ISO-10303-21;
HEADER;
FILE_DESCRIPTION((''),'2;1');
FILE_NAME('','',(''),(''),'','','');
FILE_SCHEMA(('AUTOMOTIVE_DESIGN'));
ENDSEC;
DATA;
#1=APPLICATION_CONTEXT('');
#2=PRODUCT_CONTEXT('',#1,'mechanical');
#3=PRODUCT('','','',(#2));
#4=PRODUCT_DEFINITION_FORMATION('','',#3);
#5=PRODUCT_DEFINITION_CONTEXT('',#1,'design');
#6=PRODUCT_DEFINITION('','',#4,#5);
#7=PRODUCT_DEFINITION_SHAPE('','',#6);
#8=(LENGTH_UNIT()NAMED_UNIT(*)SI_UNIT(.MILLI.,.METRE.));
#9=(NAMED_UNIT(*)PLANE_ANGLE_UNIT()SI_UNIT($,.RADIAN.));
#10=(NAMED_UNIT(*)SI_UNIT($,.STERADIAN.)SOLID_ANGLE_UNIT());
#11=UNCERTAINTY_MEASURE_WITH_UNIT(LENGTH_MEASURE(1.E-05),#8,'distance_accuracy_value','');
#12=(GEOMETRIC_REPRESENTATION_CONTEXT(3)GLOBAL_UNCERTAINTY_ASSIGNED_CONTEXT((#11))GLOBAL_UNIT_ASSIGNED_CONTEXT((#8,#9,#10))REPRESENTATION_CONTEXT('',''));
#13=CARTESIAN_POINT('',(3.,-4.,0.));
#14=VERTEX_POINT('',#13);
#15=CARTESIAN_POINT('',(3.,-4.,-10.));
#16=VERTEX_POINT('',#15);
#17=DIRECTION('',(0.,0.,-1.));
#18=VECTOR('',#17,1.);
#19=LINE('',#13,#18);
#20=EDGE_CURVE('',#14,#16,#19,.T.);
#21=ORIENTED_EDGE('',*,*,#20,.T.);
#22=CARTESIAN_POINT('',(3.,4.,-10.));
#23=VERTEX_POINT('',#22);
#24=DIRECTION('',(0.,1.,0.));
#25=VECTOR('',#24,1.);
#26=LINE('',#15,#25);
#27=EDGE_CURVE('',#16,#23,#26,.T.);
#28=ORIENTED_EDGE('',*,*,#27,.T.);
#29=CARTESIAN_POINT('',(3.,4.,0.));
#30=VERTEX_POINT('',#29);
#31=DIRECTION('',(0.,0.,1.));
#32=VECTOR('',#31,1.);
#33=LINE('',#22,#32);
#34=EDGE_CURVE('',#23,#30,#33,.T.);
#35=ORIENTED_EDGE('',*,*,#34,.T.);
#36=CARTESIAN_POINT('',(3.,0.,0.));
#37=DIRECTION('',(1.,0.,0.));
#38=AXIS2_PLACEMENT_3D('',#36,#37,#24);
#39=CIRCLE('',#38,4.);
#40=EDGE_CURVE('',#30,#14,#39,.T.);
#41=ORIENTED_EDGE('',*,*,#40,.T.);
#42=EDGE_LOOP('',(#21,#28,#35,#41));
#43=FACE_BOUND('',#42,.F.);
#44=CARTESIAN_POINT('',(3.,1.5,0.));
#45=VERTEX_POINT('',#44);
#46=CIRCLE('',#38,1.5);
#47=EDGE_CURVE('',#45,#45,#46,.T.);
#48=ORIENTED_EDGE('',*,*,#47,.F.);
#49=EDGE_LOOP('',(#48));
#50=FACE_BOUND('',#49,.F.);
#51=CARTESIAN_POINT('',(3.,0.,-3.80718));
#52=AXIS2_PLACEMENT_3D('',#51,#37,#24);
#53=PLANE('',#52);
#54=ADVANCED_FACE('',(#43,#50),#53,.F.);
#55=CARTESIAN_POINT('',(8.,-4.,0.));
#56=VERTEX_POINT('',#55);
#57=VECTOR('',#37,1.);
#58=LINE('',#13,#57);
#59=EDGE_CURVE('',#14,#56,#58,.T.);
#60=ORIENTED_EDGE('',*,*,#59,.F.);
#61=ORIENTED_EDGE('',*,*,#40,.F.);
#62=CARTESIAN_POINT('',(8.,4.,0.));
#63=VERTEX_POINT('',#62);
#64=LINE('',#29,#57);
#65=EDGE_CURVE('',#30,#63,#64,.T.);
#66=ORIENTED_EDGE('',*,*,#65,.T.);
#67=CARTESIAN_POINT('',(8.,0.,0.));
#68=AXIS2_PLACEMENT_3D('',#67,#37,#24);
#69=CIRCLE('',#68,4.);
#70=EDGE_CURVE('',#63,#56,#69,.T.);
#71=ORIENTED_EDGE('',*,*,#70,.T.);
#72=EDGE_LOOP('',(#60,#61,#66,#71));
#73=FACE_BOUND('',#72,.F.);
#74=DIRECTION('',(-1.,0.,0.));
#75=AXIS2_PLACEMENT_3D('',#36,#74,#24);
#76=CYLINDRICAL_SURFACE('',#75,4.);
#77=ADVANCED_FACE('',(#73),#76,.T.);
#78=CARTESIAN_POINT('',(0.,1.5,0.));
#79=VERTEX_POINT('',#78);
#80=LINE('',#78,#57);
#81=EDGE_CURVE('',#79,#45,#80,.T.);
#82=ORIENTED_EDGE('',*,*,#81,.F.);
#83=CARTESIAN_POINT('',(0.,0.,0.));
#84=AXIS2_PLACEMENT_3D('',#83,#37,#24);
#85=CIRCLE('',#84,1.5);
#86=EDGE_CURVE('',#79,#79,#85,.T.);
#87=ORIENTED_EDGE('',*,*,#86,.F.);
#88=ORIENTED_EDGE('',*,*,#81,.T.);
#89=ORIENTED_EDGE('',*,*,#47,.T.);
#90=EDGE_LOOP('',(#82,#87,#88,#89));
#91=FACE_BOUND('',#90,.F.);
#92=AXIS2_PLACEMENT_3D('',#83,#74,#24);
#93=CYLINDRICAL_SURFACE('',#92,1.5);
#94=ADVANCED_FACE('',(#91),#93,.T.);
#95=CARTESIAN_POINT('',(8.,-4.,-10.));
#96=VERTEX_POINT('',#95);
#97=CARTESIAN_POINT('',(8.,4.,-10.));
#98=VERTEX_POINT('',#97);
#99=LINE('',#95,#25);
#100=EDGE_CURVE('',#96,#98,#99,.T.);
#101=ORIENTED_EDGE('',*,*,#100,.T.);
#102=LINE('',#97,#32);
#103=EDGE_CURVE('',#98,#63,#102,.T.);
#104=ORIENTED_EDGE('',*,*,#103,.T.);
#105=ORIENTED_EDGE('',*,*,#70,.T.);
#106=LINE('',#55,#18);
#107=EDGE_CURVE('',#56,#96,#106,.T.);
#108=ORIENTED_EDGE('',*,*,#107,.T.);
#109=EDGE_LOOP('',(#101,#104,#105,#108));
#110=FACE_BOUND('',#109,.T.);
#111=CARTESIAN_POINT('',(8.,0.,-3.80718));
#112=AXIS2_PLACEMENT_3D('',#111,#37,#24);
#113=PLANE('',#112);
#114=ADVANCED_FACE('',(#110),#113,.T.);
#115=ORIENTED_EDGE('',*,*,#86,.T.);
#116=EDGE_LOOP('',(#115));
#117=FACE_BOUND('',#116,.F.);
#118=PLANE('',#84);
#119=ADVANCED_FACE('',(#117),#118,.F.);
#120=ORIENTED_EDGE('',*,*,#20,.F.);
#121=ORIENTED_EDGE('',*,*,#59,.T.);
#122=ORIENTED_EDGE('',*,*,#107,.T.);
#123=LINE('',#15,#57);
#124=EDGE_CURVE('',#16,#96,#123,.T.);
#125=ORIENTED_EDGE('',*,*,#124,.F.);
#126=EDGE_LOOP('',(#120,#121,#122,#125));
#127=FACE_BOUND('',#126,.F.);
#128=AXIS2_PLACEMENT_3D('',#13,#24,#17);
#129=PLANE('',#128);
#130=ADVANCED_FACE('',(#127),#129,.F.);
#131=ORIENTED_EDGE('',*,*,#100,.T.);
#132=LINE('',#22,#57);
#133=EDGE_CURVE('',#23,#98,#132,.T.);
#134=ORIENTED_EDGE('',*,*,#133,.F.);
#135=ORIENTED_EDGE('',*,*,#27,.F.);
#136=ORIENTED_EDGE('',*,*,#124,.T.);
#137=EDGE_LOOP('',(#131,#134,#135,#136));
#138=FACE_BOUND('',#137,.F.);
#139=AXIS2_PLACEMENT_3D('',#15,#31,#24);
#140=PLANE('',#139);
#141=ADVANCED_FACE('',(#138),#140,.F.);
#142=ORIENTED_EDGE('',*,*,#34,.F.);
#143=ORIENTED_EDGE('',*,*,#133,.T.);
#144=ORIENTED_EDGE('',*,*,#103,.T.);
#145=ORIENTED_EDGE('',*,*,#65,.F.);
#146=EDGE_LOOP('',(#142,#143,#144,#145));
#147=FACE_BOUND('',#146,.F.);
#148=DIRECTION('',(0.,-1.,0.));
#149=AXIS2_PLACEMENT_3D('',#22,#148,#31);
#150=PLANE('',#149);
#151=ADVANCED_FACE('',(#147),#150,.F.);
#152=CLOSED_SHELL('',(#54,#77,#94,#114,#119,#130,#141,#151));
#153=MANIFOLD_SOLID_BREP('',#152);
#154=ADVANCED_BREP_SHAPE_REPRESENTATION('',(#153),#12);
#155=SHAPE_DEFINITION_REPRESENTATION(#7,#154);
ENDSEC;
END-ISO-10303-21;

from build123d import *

# Parameters (mm, degrees)
F0_R     = 1.5
F1_DEPTH = 3
F3_DEPTH = 5


with BuildPart() as f1:
    # F0 (on Right) → F1 (new body)
    with BuildSketch(Plane.YZ):
        Circle(F0_R)
    extrude(amount=F1_DEPTH)

    # F2 (on face) → F3 (join)
    with BuildSketch(Plane.YZ.offset(3)):
        with BuildLine():
            Line((4, -10), (4, 0))
            ThreePointArc((4, 0), (0, 4), (-4, 0))
            Line((-4, 0), (-4, -10))
            Line((-4, -10), (4, -10))
        make_face()
    extrude(amount=F3_DEPTH)


solid = f1.part
